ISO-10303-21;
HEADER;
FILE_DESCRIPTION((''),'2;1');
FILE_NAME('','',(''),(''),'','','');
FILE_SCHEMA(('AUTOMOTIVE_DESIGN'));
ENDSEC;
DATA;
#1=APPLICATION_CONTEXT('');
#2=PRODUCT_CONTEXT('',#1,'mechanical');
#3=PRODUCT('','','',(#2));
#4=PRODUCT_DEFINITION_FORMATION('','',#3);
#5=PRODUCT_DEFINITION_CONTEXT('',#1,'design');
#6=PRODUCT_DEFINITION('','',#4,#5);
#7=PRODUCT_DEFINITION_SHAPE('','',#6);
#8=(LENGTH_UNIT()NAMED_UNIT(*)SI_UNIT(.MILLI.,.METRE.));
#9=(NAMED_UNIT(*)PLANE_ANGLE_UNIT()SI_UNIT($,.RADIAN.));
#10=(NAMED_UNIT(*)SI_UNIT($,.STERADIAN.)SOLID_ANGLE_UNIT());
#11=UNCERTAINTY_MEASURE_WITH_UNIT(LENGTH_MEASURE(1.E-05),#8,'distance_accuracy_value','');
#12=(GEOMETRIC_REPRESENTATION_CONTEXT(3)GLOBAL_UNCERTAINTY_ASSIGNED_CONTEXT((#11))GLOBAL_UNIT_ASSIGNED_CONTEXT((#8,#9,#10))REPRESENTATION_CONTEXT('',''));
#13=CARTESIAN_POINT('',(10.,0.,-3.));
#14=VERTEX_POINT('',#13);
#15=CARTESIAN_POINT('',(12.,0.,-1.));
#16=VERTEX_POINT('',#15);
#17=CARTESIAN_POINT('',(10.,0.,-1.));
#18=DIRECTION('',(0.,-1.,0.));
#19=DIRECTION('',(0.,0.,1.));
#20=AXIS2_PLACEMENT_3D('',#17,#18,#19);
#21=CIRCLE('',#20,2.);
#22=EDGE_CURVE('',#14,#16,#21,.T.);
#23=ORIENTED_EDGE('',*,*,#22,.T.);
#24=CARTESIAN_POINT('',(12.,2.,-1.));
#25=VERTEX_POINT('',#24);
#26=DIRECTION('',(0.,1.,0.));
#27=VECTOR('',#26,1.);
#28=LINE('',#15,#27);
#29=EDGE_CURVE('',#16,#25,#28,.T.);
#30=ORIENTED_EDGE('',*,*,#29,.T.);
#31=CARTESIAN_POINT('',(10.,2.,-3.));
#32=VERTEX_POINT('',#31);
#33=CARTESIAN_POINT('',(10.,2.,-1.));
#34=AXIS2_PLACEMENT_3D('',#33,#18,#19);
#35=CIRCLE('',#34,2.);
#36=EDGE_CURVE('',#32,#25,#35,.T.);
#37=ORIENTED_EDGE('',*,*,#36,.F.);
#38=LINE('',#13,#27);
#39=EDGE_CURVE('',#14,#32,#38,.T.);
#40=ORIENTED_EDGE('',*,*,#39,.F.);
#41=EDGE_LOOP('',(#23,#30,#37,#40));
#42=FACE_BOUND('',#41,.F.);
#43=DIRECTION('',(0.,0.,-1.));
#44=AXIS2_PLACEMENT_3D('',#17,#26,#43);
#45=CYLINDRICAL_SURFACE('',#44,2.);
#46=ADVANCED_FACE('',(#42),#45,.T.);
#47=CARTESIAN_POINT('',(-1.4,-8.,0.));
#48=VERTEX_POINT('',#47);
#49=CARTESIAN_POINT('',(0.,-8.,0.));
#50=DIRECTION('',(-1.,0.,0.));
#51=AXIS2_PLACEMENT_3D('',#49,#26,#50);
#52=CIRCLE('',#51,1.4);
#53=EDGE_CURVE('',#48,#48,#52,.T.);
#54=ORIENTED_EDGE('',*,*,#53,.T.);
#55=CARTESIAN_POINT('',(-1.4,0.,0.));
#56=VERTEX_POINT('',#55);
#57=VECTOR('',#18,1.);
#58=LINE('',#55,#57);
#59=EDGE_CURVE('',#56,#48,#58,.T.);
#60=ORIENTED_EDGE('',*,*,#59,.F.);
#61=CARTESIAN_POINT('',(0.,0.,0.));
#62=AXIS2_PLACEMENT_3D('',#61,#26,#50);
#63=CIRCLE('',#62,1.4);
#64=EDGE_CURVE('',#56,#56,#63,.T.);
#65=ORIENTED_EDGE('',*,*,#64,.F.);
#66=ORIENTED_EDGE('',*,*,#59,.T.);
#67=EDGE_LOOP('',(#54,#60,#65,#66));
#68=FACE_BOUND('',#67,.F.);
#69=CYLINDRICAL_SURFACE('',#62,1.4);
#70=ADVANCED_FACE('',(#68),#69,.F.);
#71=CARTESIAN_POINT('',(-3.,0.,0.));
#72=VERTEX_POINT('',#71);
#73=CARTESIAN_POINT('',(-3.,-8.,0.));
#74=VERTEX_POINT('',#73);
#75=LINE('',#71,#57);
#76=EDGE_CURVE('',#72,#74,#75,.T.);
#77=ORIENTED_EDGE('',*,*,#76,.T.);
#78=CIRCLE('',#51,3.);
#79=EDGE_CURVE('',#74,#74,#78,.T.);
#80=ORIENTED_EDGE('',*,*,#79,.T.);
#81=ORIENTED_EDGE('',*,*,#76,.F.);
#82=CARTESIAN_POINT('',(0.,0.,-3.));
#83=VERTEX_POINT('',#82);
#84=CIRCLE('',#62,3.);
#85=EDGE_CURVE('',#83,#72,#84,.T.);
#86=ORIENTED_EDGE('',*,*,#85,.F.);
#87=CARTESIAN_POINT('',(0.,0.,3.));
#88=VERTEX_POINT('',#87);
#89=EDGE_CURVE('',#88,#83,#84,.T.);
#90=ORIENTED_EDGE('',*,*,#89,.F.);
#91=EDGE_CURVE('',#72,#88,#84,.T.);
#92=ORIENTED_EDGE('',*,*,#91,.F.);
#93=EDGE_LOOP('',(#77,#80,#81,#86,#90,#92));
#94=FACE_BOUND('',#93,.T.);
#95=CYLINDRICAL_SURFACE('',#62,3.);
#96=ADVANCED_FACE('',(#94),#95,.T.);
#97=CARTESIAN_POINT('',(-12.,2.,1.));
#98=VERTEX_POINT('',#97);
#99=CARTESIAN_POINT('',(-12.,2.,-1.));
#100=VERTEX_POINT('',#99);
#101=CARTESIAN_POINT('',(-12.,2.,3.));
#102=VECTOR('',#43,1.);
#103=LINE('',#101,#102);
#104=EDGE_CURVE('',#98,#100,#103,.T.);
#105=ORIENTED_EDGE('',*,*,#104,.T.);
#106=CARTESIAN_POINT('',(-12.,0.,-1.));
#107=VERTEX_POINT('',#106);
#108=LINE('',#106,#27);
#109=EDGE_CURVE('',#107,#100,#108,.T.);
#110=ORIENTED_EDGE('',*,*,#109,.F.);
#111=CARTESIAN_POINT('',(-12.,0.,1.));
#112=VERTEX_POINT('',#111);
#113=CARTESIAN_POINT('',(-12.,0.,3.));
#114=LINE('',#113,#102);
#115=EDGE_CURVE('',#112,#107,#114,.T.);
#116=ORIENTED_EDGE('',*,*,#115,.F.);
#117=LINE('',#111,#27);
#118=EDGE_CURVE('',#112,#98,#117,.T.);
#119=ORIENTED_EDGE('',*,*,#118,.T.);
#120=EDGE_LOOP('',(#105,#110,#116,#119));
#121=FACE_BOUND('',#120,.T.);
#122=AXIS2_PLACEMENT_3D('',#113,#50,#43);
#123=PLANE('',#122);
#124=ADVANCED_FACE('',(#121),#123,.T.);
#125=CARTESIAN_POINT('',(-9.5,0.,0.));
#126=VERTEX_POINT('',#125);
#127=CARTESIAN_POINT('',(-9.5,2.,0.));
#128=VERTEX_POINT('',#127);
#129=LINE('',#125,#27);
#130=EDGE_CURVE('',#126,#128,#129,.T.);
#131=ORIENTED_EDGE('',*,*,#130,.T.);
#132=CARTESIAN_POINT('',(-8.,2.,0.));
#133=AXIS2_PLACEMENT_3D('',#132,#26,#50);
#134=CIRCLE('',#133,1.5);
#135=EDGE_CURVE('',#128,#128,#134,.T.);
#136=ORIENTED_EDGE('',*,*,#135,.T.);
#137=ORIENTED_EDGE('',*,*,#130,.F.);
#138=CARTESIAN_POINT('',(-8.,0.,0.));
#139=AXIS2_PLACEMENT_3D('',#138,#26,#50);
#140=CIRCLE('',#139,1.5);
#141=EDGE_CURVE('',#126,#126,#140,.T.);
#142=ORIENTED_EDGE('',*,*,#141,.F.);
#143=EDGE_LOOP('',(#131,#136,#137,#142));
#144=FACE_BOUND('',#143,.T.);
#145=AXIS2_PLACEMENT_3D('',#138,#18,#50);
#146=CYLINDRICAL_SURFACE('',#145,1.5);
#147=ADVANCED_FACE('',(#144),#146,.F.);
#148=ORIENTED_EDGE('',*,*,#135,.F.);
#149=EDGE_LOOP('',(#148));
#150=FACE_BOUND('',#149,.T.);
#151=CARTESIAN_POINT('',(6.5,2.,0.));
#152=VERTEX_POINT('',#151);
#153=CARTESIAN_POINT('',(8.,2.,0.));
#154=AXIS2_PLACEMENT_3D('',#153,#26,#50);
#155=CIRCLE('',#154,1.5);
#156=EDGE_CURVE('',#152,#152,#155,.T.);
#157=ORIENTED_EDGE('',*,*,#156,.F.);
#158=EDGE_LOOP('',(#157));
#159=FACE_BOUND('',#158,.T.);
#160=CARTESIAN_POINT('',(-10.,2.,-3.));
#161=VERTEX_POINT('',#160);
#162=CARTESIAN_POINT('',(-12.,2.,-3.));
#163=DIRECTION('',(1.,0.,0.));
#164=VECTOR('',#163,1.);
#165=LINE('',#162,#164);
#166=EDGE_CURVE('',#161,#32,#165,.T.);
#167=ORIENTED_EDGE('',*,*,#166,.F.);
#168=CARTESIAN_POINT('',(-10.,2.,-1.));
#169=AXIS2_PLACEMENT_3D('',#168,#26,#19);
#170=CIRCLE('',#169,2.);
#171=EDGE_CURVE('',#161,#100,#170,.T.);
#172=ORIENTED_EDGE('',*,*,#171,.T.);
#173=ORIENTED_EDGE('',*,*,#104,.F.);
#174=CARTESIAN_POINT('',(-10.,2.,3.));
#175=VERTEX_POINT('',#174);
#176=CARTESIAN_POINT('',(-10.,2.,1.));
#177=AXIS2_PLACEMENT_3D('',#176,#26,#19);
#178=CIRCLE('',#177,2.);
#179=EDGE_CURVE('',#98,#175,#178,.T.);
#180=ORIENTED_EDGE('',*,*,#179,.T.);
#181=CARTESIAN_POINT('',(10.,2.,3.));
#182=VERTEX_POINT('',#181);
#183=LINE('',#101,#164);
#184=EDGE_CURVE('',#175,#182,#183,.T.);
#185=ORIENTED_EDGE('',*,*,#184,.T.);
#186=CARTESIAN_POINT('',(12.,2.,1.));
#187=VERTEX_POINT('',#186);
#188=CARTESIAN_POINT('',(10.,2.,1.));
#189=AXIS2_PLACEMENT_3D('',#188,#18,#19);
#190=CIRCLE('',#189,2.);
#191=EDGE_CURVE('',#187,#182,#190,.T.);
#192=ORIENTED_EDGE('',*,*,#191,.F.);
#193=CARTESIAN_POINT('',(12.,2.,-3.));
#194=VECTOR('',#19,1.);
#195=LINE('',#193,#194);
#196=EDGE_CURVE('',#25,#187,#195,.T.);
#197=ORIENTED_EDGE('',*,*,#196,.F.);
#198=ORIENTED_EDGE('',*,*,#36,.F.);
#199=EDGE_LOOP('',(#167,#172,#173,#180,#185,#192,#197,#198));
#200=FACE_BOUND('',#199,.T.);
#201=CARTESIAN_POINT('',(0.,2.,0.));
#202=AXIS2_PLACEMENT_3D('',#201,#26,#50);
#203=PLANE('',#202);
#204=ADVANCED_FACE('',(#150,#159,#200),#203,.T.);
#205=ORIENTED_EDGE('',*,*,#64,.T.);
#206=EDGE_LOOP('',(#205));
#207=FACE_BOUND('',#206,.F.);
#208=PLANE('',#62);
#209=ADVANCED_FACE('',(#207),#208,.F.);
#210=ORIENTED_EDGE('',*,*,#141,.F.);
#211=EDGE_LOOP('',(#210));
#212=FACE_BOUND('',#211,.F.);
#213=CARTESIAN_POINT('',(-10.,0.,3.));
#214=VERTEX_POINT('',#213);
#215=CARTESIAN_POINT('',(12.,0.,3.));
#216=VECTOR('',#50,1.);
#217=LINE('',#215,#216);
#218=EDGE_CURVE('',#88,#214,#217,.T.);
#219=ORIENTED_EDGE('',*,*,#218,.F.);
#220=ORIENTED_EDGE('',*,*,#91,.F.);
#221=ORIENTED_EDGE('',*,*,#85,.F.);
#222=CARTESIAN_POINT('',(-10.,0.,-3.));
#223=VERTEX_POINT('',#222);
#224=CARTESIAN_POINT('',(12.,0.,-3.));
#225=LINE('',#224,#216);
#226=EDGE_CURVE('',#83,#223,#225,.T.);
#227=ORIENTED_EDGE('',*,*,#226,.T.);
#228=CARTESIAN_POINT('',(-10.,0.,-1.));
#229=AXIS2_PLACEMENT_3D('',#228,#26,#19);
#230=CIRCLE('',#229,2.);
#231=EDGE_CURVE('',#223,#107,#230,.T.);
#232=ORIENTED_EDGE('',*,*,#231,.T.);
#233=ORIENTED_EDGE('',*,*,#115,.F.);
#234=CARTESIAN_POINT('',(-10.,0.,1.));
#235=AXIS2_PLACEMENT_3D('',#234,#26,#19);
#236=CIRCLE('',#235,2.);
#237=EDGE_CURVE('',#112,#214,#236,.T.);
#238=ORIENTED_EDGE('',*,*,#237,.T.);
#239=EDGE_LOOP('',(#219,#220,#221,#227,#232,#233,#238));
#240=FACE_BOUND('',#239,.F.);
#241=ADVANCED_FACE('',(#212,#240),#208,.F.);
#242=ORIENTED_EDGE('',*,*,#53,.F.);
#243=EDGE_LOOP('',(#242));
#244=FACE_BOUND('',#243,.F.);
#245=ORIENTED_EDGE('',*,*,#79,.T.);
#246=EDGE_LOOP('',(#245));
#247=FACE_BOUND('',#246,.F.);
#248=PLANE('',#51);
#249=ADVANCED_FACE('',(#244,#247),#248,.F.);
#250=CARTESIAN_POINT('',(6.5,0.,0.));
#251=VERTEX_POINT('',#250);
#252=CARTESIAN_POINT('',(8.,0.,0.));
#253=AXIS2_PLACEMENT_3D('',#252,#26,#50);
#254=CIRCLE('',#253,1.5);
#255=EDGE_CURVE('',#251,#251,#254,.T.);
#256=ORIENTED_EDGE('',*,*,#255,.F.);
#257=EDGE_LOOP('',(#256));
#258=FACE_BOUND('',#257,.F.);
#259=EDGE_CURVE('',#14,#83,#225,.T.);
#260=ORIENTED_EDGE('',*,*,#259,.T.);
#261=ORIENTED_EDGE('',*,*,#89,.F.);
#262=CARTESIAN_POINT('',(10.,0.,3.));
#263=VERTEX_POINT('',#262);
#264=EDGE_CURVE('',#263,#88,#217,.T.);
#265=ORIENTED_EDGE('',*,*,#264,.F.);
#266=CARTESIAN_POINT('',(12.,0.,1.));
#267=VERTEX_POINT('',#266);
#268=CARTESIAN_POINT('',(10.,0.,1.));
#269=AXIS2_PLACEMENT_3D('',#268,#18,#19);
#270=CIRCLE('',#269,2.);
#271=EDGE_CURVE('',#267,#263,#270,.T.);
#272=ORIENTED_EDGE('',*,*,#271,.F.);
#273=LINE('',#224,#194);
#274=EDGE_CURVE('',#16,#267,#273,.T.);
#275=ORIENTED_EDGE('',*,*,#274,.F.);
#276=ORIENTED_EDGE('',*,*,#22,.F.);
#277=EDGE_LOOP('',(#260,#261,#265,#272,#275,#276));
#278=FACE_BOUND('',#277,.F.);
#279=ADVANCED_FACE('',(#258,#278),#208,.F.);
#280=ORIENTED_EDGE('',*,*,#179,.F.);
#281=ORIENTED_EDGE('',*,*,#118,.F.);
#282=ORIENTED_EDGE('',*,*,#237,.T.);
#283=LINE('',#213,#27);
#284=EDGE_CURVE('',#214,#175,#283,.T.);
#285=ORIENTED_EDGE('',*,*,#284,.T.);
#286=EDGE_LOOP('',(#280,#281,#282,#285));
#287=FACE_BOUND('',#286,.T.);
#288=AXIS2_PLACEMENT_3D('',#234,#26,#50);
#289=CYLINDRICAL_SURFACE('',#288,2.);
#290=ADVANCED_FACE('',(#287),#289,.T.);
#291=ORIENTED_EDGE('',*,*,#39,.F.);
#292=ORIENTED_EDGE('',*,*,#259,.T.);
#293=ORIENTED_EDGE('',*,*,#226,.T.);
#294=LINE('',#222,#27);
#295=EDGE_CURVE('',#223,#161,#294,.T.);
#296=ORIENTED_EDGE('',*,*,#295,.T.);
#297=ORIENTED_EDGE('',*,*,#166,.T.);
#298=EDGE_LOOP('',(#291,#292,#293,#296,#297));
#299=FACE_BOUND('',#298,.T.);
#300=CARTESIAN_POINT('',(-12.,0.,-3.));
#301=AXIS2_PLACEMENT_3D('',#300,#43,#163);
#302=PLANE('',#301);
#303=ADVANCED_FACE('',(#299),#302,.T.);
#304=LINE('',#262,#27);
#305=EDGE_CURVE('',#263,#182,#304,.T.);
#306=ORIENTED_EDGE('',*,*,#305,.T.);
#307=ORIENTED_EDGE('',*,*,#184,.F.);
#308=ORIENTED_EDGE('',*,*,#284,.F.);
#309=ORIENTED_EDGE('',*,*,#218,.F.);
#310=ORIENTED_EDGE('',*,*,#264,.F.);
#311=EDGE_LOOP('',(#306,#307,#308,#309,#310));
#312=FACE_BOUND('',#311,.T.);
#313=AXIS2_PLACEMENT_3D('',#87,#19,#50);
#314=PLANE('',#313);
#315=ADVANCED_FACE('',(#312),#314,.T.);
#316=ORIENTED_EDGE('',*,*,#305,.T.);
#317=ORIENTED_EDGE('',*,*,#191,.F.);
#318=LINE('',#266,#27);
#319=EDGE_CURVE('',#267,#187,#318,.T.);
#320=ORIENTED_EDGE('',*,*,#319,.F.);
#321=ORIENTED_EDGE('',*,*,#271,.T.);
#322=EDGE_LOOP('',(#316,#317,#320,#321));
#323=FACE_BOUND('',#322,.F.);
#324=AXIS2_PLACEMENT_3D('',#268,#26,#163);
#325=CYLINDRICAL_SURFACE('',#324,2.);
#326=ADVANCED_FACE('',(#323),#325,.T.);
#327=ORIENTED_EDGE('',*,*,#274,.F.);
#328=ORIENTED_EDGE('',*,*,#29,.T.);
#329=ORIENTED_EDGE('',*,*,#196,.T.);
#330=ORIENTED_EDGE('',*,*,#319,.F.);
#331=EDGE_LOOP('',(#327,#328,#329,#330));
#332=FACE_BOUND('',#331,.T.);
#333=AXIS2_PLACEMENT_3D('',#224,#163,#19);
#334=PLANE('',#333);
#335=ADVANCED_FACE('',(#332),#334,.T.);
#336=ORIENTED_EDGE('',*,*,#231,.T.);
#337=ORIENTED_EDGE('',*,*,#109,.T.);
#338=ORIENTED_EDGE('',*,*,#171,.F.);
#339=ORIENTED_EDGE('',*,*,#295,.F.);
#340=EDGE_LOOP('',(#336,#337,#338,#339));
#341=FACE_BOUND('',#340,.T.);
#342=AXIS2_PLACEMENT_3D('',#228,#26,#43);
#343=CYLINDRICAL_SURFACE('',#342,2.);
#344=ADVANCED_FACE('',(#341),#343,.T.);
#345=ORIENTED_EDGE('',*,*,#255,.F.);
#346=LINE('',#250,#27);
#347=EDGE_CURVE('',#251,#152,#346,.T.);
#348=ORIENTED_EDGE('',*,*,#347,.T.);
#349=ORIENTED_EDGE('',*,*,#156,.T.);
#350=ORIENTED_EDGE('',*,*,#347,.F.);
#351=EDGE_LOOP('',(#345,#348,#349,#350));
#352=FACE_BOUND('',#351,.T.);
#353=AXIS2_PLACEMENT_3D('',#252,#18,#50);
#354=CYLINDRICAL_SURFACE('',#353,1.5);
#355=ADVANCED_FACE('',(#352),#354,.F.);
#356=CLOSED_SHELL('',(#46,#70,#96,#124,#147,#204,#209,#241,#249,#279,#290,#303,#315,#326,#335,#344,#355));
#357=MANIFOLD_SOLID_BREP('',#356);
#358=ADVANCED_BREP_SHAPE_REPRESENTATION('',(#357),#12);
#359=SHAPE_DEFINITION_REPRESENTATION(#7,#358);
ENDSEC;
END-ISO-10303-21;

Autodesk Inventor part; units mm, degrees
ref_plane "YZ Plane" through (0, 0, 0) normal (1, 0, 0) x (0, 1, 0)
ref_plane "XZ Plane" through (0, 0, 0) normal (0, 1, 0) x (-1, 0, 0)
ref_plane "XY Plane" through (0, 0, 0) normal (0, 0, 1) x (1, 0, 0)
sketch "Sketch1" plane through (0, 0, 0) normal (0, 1, 0) x (-1, 0, 0)
  circle A0 centre (8, 0) radius 1.5
  circle A1 centre (-8, 0) radius 1.5
  line L0 (12, -3) -> (-12, -3)
  line L1 (-12, -3) -> (-12, 3)
  line L2 (-12, 3) -> (12, 3)
  line L3 (12, 3) -> (12, -3)
  circle A2 centre (0, 0) radius 1.4
  circle A3 centre (0, 0) radius 3
  point P0 (-12, 0)
  point P1 (0, 3)
  dimension "d0" = 3
  dimension "d1" = 3
  dimension "d2" = 8
  dimension "d3" = 8
  dimension "d4" = 24
  dimension "d5" = 6
  dimension "d6" = 2.8
extrude "Extrusion1" add sketch "Sketch1" along normal blind 2 contours L0 A3 L2 L3 | L0 L1 L2 A3 | A3 | A2
extrude "Extrusion2" add sketch "Sketch1" against normal blind 8 contours A3
fillet "Fillet2" radius 2 4 edges at (-12, 1, 3) (-12, 1, -3) (12, 1, 3) (12, 1, -3)
properties part number "Shaft Encoder Adapter" material "ABS Plastic"
